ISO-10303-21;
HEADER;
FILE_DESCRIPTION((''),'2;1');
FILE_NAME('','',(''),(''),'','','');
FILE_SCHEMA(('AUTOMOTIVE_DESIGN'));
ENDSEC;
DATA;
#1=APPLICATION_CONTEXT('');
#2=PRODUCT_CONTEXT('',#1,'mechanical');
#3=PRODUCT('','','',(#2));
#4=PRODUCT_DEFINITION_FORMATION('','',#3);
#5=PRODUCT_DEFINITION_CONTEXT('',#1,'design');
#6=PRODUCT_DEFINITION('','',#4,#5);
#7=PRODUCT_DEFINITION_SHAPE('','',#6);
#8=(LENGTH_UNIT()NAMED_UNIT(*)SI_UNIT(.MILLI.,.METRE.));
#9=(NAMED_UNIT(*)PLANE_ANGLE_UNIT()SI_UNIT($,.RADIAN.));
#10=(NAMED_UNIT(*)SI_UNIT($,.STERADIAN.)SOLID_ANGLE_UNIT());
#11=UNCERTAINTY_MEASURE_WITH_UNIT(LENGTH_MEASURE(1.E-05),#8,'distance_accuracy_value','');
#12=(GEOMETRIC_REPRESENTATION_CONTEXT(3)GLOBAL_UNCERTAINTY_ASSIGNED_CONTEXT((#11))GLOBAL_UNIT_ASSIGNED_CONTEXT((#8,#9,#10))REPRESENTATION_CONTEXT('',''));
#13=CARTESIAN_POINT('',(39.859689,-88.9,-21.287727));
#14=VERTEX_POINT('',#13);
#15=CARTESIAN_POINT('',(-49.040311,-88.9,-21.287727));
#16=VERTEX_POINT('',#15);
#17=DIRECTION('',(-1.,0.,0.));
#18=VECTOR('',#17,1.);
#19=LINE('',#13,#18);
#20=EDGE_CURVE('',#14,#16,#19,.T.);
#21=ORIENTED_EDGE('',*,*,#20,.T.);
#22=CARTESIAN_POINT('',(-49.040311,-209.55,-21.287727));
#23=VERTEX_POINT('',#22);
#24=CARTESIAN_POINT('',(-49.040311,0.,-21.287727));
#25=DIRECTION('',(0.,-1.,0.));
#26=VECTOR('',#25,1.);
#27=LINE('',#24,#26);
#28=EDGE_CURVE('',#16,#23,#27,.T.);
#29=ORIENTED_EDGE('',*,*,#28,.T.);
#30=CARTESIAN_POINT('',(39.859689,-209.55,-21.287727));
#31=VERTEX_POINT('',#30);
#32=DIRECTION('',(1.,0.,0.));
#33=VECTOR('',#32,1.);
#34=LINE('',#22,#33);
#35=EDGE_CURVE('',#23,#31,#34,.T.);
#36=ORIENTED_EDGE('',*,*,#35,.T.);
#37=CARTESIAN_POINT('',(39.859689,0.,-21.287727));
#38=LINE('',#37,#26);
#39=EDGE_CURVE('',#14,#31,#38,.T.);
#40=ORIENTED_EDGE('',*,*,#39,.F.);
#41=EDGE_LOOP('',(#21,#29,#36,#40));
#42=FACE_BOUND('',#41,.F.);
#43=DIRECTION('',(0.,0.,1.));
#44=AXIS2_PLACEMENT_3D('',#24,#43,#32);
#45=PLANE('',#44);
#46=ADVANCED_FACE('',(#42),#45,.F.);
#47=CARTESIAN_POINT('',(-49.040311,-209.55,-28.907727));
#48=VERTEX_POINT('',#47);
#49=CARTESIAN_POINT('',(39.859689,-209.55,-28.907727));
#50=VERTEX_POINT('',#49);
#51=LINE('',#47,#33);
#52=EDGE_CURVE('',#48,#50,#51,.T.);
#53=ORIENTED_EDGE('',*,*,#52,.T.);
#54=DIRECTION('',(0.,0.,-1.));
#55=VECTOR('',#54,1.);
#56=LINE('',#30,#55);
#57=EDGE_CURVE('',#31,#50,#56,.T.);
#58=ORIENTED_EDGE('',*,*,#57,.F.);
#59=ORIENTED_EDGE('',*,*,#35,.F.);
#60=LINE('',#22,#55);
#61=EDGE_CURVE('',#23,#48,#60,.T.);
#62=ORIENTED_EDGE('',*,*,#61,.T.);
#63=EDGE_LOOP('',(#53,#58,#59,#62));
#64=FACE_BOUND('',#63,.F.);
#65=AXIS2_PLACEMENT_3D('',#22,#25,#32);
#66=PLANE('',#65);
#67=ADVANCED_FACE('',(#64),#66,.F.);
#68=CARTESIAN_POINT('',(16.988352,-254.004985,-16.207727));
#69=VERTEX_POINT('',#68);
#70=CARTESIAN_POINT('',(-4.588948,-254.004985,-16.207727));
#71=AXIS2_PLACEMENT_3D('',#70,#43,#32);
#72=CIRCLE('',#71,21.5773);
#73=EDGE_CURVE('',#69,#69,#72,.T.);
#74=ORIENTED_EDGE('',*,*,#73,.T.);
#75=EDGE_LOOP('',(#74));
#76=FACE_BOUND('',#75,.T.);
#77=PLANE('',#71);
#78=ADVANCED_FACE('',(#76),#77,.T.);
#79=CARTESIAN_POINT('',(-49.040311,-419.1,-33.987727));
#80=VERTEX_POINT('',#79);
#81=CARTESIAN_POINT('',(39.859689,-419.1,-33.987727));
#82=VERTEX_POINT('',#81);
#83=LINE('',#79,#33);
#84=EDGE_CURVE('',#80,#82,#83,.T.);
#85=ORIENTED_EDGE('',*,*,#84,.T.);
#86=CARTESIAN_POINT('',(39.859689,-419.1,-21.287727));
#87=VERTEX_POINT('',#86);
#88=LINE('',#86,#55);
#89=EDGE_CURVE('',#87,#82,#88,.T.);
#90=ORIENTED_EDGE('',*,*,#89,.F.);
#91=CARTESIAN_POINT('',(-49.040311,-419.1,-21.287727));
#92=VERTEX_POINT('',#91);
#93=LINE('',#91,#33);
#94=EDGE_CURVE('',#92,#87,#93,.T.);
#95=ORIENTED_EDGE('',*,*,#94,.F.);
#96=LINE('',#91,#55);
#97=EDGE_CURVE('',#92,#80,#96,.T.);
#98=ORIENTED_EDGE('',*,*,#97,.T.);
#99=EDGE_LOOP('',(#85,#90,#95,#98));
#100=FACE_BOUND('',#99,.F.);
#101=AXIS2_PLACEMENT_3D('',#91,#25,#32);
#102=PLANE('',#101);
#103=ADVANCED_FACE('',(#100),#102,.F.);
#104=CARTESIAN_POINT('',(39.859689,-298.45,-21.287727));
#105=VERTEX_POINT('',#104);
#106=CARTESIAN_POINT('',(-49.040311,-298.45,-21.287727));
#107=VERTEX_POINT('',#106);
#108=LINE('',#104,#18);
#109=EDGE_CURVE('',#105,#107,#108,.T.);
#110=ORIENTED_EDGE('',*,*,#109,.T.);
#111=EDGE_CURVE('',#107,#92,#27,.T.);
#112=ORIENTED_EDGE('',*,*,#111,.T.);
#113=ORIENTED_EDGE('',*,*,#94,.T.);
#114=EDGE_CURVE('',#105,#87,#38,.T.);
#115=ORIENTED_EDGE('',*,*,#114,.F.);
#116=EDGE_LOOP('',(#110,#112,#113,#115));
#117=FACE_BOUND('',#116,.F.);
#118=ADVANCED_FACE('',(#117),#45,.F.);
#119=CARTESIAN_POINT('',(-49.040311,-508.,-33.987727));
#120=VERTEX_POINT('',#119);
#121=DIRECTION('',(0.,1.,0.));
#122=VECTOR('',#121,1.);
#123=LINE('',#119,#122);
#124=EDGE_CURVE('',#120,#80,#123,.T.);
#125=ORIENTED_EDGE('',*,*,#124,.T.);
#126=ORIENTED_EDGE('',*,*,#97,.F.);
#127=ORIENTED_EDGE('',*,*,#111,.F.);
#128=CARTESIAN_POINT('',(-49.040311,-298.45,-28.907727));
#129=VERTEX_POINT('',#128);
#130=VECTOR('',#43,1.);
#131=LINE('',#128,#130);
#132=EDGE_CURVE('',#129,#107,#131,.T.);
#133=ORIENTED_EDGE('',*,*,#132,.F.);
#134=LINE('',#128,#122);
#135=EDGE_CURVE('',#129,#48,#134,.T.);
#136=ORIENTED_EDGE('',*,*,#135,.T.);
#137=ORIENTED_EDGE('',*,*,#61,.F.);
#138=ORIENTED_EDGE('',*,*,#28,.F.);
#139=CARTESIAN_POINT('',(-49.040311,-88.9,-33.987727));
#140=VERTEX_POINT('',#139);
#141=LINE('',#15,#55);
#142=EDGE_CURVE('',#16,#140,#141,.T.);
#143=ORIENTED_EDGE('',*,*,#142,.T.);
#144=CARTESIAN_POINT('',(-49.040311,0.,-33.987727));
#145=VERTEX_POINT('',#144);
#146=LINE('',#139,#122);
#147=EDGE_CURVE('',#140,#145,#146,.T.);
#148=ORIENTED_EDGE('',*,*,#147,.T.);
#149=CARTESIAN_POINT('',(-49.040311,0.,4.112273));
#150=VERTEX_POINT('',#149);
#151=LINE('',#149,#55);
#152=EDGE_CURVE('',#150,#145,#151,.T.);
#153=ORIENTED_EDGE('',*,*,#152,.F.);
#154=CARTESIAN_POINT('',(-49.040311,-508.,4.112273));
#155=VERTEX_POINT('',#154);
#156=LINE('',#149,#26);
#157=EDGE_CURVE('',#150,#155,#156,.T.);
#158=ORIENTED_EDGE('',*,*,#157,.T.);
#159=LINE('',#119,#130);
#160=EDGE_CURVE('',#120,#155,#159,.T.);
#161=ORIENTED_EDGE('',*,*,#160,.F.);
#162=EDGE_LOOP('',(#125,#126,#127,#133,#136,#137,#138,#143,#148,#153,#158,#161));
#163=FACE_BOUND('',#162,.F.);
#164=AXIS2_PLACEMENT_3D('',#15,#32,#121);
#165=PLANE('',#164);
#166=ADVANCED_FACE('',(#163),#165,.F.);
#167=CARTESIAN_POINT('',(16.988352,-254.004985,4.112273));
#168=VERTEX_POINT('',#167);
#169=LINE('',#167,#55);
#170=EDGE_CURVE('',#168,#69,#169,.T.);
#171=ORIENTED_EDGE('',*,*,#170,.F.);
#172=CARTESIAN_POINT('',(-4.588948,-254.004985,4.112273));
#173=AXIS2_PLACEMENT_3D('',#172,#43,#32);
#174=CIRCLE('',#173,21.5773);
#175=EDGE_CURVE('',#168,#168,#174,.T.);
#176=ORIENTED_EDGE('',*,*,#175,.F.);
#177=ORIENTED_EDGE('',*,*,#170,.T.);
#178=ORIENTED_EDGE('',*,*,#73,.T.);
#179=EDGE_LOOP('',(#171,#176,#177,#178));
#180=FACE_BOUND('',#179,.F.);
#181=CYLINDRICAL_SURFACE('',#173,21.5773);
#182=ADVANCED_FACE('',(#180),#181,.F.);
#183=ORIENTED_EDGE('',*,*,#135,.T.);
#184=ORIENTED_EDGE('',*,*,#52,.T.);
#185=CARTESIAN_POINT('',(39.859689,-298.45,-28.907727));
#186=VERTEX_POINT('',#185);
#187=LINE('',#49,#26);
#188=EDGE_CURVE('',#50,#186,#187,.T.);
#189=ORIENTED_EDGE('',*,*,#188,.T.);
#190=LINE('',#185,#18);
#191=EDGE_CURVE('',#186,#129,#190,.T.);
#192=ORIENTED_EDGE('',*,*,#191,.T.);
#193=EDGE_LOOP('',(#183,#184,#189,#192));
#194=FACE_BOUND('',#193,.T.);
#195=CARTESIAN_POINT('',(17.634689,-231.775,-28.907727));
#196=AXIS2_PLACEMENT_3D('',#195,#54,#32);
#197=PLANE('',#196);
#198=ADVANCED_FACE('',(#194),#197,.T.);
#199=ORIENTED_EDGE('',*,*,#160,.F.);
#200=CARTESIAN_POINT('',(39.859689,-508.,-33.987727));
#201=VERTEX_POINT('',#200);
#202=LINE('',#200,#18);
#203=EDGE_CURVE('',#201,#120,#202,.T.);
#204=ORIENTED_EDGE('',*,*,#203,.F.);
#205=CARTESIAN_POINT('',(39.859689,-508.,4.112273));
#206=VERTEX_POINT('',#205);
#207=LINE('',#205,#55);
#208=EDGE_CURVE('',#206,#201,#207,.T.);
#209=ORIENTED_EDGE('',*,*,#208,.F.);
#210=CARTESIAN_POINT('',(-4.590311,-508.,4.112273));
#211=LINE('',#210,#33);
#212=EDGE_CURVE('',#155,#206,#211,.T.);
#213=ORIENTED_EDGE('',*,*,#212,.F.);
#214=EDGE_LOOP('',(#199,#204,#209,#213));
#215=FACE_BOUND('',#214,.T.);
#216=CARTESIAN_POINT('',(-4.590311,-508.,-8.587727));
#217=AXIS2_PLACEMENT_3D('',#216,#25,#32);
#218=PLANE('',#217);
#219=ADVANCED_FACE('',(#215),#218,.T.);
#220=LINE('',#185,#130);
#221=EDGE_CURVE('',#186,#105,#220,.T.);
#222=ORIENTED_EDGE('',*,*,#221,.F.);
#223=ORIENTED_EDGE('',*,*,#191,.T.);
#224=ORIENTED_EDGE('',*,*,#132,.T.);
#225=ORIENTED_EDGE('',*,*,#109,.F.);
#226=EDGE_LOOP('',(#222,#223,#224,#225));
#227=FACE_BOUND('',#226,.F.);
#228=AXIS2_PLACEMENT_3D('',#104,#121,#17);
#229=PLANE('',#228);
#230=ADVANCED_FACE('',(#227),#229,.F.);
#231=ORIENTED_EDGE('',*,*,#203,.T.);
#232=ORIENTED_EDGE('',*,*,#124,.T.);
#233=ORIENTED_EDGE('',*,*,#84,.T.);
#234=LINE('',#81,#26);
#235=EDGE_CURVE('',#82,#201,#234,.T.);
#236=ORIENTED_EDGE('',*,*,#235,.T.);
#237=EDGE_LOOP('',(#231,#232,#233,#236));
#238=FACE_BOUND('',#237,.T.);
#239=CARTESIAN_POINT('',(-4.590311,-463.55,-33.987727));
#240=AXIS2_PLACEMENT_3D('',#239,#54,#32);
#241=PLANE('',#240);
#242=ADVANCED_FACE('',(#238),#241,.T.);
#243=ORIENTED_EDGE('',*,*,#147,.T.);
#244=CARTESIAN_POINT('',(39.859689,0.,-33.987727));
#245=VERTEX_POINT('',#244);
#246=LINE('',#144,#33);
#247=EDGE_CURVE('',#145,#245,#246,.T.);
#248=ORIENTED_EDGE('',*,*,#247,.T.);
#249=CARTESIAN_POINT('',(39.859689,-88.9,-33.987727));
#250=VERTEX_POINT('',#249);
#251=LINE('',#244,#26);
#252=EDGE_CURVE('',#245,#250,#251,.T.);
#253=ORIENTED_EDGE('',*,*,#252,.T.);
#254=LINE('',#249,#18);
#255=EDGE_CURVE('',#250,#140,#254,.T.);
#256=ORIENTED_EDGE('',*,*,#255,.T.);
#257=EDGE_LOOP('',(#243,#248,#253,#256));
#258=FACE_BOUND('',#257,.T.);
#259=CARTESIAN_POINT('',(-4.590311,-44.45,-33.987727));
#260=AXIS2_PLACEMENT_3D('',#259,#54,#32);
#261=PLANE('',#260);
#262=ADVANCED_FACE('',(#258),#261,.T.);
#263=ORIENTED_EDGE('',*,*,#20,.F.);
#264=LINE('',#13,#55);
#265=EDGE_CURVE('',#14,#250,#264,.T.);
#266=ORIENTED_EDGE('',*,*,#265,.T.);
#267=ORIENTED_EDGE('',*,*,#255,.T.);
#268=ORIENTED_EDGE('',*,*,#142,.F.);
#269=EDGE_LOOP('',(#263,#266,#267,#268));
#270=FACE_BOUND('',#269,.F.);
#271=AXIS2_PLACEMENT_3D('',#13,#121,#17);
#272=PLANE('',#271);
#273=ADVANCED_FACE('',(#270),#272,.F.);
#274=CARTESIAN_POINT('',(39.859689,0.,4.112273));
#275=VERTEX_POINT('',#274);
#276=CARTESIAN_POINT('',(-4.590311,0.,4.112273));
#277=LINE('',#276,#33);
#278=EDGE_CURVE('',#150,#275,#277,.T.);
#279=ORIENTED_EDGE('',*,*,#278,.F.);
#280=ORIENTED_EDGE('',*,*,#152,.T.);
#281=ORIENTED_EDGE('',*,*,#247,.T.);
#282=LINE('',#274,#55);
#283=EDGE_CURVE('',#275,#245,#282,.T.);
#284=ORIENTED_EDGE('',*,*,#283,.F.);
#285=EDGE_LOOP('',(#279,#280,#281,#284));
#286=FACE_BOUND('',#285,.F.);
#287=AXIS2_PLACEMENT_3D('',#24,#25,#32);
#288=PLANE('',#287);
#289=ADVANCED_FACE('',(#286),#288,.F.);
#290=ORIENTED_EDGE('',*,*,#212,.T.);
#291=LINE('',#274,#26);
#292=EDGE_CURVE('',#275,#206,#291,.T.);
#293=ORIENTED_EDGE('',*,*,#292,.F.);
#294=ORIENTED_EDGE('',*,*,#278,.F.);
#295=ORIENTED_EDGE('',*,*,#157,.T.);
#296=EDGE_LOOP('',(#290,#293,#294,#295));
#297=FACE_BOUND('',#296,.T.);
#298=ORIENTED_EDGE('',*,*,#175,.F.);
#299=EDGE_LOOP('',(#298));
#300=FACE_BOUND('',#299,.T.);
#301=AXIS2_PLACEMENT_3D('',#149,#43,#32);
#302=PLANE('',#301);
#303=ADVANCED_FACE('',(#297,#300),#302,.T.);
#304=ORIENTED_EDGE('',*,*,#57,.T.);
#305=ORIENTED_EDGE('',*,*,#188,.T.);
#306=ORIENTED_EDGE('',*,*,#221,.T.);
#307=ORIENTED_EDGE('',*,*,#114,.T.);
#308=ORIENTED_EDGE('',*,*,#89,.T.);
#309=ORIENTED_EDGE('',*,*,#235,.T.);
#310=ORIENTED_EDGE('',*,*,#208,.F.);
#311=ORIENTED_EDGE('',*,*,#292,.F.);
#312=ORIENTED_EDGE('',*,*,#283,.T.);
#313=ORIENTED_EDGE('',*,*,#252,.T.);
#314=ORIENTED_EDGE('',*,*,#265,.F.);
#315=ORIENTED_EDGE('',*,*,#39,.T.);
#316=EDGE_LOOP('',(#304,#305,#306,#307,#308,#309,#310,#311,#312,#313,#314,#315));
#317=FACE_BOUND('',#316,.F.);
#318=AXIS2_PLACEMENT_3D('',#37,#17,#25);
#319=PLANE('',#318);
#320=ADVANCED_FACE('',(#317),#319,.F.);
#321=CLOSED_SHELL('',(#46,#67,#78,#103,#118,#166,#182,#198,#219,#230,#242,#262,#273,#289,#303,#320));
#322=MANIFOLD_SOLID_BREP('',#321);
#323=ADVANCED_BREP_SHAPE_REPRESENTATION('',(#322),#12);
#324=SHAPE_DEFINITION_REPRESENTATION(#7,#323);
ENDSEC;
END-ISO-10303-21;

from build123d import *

# Parameters (mm, degrees)
F0_W     = 88.9
F0_H     = 25.4
F1_DEPTH = 508
F3_DEPTH = 12.7
F4_W     = 44.45
F4_H     = 44.45
F5_DEPTH = 4.445
F6_DEPTH = 7.62
F8_R     = 21.5773
F9_DEPTH = 20.32


with BuildPart() as f1:
    # F0 (on Front) → F1 (new body)
    with BuildSketch(Plane.XZ):
        with Locations((-4.590311, -8.587727)):
            Rectangle(F0_W, F0_H)
    extrude(amount=F1_DEPTH)

    # F2 (on face) → F3 (join)
    with BuildSketch(Plane(origin=(0, 0, -21.287727), x_dir=(1, 0, 0), z_dir=(0, 0, -1))):
        Polygon((-4.590311, 88.9), (-49.040311, 88.9), (-49.040311, 0), (39.859689, 0), (39.859689, 88.9), align=None)
        Polygon((-49.040311, 508), (-49.040311, 419.1), (-4.590311, 419.1), (39.859689, 419.1), (39.859689, 508), align=None)
    extrude(amount=F3_DEPTH)

    # F4 (on face) → F5 (join)
    with BuildSketch(Plane(origin=(0, 0, -21.287727), x_dir=(1, 0, 0), z_dir=(0, 0, -1))):
        with Locations((17.634689, 231.775)):
            Rectangle(F4_W, F4_H)
        Polygon((-49.040311, 209.55), (-4.590311, 209.55), (-4.590311, 254), (-4.590311, 298.45), (-49.040311, 298.45), align=None)
        with Locations((17.634689, 276.225)):
            Rectangle(F4_W, F4_H)
    extrude(amount=F5_DEPTH)

    # F4 (on face) → F6 (join)
    with BuildSketch(Plane(origin=(0, 0, -21.287727), x_dir=(1, 0, 0), z_dir=(0, 0, -1))):
        with Locations((17.634689, 231.775)):
            Rectangle(F4_W, F4_H)
        Polygon((-49.040311, 209.55), (-4.590311, 209.55), (-4.590311, 254), (-4.590311, 298.45), (-49.040311, 298.45), align=None)
        with Locations((17.634689, 276.225)):
            Rectangle(F4_W, F4_H)
    extrude(amount=F6_DEPTH)

    # F8 (on face) → F9 (cut)
    with BuildSketch(Plane.XY.offset(4.112273)):
        with Locations((-4.588948, -254.004985)):
            Circle(F8_R)
    extrude(amount=-F9_DEPTH, mode=Mode.SUBTRACT)


solid = f1.part
